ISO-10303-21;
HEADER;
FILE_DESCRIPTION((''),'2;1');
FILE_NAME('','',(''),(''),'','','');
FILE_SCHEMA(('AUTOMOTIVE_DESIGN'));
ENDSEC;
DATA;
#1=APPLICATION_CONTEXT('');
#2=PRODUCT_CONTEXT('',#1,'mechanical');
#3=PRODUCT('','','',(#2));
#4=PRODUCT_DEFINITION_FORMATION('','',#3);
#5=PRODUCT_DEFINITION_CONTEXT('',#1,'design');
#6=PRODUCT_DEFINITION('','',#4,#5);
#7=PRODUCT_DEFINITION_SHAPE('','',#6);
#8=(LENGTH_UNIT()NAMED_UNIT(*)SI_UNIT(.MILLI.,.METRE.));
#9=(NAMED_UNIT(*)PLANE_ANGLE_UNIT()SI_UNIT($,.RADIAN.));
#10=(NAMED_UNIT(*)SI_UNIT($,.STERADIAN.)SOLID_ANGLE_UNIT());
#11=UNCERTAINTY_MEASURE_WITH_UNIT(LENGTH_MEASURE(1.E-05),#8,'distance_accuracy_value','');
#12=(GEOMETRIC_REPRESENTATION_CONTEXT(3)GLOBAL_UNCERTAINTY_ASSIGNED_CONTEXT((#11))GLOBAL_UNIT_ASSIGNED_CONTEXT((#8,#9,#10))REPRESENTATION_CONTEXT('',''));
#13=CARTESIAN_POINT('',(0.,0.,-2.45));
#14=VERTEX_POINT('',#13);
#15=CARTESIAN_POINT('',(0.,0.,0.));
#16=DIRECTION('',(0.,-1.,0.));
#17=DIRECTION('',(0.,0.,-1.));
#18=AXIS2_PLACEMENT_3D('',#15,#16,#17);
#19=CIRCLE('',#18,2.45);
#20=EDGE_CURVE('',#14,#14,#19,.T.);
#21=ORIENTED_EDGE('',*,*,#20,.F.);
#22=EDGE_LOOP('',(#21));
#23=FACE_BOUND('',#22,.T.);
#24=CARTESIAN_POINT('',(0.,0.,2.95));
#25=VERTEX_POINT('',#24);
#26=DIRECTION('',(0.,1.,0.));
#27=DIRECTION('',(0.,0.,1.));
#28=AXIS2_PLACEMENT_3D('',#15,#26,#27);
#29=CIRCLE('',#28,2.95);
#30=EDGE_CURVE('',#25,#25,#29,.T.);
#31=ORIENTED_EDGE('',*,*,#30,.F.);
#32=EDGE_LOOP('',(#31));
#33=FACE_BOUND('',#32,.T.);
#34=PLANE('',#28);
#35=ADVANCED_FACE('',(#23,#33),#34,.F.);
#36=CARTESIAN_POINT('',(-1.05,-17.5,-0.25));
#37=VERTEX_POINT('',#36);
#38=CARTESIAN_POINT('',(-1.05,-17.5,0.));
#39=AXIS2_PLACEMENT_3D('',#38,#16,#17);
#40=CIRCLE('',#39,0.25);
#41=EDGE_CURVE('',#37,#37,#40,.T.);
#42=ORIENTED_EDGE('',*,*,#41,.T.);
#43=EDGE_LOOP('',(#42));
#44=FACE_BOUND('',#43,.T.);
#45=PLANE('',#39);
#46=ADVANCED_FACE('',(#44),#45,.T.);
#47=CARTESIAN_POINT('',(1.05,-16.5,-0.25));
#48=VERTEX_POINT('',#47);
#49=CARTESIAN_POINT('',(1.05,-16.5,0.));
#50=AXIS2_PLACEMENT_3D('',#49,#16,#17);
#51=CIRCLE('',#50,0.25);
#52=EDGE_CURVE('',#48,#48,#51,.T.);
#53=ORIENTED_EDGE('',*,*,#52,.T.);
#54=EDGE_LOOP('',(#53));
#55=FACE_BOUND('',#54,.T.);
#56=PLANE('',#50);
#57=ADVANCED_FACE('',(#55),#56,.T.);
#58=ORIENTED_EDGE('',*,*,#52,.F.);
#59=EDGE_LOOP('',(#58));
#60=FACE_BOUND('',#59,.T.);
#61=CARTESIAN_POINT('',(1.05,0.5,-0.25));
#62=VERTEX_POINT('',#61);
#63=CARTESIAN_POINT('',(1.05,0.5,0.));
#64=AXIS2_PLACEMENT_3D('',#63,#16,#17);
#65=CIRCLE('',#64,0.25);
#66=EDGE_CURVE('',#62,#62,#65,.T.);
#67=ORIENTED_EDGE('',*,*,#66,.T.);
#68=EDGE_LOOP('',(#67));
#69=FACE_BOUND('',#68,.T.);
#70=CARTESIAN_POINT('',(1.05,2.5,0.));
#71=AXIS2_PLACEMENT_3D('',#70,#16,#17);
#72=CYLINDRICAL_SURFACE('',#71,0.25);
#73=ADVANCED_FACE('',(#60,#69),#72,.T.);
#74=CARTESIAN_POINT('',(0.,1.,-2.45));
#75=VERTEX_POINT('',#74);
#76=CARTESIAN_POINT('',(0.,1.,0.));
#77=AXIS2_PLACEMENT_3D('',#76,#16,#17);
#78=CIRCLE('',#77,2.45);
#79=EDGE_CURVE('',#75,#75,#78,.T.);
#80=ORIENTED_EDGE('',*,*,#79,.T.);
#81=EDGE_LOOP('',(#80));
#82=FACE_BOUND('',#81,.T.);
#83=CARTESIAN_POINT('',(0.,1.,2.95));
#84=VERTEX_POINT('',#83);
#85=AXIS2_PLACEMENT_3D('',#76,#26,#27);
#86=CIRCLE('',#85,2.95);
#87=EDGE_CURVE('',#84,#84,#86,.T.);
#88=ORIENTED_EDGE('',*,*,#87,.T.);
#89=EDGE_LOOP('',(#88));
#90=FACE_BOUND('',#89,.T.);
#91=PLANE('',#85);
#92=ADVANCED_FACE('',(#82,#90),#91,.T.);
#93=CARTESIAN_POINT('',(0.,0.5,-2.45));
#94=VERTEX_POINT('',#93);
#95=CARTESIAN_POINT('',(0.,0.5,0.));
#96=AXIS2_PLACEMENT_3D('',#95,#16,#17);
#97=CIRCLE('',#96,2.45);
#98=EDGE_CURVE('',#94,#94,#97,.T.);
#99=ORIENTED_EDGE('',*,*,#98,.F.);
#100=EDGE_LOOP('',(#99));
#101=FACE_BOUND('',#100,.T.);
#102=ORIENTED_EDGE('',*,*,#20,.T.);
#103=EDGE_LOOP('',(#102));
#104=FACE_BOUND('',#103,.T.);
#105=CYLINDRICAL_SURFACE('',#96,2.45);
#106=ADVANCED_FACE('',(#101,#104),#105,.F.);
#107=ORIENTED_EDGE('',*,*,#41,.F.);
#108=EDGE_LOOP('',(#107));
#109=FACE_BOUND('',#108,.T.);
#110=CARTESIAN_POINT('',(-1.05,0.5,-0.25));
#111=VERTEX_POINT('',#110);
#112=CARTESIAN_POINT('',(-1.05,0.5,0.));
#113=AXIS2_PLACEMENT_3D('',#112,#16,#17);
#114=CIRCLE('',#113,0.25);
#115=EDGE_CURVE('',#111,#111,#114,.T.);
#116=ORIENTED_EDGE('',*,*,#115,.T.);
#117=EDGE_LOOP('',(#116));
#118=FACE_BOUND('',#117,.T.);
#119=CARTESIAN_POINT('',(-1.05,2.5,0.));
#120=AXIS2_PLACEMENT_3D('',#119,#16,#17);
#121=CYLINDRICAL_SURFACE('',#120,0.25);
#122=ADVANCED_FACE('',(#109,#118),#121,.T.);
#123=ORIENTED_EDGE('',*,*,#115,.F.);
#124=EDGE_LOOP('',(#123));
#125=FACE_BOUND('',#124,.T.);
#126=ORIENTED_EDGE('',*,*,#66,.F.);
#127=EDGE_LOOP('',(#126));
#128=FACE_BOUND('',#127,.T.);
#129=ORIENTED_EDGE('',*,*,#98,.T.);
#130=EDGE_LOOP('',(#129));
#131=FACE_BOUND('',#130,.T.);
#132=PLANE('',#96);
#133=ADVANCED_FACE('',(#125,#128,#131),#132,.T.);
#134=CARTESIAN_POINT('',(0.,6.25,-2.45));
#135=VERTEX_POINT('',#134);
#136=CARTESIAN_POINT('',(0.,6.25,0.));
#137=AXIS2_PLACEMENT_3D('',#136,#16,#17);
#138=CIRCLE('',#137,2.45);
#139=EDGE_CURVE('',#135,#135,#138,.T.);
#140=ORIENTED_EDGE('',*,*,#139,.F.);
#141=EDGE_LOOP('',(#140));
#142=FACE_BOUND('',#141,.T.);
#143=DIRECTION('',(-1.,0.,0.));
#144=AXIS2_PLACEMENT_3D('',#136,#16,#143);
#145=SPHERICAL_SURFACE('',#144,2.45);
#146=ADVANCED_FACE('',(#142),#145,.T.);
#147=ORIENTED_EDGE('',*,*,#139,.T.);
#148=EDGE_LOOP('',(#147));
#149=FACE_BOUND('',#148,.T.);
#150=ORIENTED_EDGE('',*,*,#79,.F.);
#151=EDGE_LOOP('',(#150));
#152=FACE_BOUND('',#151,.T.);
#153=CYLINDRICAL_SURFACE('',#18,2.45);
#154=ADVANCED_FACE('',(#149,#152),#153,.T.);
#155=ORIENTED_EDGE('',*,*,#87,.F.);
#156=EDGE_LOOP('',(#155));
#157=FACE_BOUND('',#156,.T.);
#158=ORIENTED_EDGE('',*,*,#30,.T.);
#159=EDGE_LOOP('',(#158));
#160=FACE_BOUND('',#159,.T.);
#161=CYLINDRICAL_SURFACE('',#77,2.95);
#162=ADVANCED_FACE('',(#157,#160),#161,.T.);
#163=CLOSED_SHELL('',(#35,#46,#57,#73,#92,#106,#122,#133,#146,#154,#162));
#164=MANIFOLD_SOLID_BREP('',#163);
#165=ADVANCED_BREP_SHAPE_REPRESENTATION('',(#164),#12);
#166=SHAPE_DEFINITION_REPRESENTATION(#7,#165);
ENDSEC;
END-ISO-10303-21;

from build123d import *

# Parameters (mm, degrees)
CROQUIS1_R                   = 2.95
SALIENTE_EXTRUIR1_DEPTH      = 1
CORTAR_EXTRUIR1_START        = -0.5
CROQUIS4_R                   = 2.45
CORTAR_EXTRUIR1_DEPTH        = 0.5
SALIENTE_EXTRUIR2_DEPTH      = 18
SALIENTE_EXTRUIR2_DEPTH_BACK = 2
CROQUIS5_R                   = 0.25
CORTAR_EXTRUIR2_START        = -1
CROQUIS6_R                   = 0.25
CORTAR_EXTRUIR2_DEPTH        = 1


with BuildPart() as part:
    # Croquis1 → Saliente-Extruir1 (new body)
    with BuildSketch(Plane(origin=(0, 0, 0), x_dir=(1, 0, 0), z_dir=(0, 1, 0))):
        with Locations(Location((0, 0, 0), (0, 0, 270))):
            Circle(CROQUIS1_R)
    extrude(amount=SALIENTE_EXTRUIR1_DEPTH)

    # Croquis2 → Revolución1 (revolve)
    with BuildSketch(Plane.XY):
        with BuildLine():
            Line((0, 1), (-2.45, 1))
            Line((-2.45, 1), (-2.45, 6.25))
            ThreePointArc((-2.45, 6.25), (-1.732411614, 7.982411614), (0, 8.7))
            Line((0, 8.7), (0, 1))
        make_face()
    revolve(axis=Axis((0, 0, 0), (0, 1, 0)))

    # Croquis4 → Cortar-Extruir1 (cut)
    with BuildSketch(Plane(origin=(0, 0, 0), x_dir=(-1, 0, 0), z_dir=(0, -1, 0)).offset(CORTAR_EXTRUIR1_START)):
        with Locations(Location((0, 0, 0), (0, 0, 90))):
            Circle(CROQUIS4_R)
    extrude(amount=CORTAR_EXTRUIR1_DEPTH, mode=Mode.SUBTRACT)

    # Croquis5 → Saliente-Extruir2 (add, two sides: drawn at the far end of the back side and taken through both)
    with BuildSketch(Plane.XZ.offset(-0.5).offset(-SALIENTE_EXTRUIR2_DEPTH_BACK)):
        with Locations(Location((-1.05, 0, 0), (0, 0, 270))):
            Circle(CROQUIS5_R)
        with Locations(Location((1.05, 0, 0), (0, 0, 270))):
            Circle(CROQUIS5_R)
    extrude(amount=SALIENTE_EXTRUIR2_DEPTH + SALIENTE_EXTRUIR2_DEPTH_BACK)

    # Croquis6 → Cortar-Extruir2 (cut)
    with BuildSketch(Plane.XZ.offset(17.5).offset(CORTAR_EXTRUIR2_START)):
        with Locations(Location((1.05, 0, 0), (0, 0, 270))):
            Circle(CROQUIS6_R)
    extrude(amount=CORTAR_EXTRUIR2_DEPTH, mode=Mode.SUBTRACT)


solid = part.part
